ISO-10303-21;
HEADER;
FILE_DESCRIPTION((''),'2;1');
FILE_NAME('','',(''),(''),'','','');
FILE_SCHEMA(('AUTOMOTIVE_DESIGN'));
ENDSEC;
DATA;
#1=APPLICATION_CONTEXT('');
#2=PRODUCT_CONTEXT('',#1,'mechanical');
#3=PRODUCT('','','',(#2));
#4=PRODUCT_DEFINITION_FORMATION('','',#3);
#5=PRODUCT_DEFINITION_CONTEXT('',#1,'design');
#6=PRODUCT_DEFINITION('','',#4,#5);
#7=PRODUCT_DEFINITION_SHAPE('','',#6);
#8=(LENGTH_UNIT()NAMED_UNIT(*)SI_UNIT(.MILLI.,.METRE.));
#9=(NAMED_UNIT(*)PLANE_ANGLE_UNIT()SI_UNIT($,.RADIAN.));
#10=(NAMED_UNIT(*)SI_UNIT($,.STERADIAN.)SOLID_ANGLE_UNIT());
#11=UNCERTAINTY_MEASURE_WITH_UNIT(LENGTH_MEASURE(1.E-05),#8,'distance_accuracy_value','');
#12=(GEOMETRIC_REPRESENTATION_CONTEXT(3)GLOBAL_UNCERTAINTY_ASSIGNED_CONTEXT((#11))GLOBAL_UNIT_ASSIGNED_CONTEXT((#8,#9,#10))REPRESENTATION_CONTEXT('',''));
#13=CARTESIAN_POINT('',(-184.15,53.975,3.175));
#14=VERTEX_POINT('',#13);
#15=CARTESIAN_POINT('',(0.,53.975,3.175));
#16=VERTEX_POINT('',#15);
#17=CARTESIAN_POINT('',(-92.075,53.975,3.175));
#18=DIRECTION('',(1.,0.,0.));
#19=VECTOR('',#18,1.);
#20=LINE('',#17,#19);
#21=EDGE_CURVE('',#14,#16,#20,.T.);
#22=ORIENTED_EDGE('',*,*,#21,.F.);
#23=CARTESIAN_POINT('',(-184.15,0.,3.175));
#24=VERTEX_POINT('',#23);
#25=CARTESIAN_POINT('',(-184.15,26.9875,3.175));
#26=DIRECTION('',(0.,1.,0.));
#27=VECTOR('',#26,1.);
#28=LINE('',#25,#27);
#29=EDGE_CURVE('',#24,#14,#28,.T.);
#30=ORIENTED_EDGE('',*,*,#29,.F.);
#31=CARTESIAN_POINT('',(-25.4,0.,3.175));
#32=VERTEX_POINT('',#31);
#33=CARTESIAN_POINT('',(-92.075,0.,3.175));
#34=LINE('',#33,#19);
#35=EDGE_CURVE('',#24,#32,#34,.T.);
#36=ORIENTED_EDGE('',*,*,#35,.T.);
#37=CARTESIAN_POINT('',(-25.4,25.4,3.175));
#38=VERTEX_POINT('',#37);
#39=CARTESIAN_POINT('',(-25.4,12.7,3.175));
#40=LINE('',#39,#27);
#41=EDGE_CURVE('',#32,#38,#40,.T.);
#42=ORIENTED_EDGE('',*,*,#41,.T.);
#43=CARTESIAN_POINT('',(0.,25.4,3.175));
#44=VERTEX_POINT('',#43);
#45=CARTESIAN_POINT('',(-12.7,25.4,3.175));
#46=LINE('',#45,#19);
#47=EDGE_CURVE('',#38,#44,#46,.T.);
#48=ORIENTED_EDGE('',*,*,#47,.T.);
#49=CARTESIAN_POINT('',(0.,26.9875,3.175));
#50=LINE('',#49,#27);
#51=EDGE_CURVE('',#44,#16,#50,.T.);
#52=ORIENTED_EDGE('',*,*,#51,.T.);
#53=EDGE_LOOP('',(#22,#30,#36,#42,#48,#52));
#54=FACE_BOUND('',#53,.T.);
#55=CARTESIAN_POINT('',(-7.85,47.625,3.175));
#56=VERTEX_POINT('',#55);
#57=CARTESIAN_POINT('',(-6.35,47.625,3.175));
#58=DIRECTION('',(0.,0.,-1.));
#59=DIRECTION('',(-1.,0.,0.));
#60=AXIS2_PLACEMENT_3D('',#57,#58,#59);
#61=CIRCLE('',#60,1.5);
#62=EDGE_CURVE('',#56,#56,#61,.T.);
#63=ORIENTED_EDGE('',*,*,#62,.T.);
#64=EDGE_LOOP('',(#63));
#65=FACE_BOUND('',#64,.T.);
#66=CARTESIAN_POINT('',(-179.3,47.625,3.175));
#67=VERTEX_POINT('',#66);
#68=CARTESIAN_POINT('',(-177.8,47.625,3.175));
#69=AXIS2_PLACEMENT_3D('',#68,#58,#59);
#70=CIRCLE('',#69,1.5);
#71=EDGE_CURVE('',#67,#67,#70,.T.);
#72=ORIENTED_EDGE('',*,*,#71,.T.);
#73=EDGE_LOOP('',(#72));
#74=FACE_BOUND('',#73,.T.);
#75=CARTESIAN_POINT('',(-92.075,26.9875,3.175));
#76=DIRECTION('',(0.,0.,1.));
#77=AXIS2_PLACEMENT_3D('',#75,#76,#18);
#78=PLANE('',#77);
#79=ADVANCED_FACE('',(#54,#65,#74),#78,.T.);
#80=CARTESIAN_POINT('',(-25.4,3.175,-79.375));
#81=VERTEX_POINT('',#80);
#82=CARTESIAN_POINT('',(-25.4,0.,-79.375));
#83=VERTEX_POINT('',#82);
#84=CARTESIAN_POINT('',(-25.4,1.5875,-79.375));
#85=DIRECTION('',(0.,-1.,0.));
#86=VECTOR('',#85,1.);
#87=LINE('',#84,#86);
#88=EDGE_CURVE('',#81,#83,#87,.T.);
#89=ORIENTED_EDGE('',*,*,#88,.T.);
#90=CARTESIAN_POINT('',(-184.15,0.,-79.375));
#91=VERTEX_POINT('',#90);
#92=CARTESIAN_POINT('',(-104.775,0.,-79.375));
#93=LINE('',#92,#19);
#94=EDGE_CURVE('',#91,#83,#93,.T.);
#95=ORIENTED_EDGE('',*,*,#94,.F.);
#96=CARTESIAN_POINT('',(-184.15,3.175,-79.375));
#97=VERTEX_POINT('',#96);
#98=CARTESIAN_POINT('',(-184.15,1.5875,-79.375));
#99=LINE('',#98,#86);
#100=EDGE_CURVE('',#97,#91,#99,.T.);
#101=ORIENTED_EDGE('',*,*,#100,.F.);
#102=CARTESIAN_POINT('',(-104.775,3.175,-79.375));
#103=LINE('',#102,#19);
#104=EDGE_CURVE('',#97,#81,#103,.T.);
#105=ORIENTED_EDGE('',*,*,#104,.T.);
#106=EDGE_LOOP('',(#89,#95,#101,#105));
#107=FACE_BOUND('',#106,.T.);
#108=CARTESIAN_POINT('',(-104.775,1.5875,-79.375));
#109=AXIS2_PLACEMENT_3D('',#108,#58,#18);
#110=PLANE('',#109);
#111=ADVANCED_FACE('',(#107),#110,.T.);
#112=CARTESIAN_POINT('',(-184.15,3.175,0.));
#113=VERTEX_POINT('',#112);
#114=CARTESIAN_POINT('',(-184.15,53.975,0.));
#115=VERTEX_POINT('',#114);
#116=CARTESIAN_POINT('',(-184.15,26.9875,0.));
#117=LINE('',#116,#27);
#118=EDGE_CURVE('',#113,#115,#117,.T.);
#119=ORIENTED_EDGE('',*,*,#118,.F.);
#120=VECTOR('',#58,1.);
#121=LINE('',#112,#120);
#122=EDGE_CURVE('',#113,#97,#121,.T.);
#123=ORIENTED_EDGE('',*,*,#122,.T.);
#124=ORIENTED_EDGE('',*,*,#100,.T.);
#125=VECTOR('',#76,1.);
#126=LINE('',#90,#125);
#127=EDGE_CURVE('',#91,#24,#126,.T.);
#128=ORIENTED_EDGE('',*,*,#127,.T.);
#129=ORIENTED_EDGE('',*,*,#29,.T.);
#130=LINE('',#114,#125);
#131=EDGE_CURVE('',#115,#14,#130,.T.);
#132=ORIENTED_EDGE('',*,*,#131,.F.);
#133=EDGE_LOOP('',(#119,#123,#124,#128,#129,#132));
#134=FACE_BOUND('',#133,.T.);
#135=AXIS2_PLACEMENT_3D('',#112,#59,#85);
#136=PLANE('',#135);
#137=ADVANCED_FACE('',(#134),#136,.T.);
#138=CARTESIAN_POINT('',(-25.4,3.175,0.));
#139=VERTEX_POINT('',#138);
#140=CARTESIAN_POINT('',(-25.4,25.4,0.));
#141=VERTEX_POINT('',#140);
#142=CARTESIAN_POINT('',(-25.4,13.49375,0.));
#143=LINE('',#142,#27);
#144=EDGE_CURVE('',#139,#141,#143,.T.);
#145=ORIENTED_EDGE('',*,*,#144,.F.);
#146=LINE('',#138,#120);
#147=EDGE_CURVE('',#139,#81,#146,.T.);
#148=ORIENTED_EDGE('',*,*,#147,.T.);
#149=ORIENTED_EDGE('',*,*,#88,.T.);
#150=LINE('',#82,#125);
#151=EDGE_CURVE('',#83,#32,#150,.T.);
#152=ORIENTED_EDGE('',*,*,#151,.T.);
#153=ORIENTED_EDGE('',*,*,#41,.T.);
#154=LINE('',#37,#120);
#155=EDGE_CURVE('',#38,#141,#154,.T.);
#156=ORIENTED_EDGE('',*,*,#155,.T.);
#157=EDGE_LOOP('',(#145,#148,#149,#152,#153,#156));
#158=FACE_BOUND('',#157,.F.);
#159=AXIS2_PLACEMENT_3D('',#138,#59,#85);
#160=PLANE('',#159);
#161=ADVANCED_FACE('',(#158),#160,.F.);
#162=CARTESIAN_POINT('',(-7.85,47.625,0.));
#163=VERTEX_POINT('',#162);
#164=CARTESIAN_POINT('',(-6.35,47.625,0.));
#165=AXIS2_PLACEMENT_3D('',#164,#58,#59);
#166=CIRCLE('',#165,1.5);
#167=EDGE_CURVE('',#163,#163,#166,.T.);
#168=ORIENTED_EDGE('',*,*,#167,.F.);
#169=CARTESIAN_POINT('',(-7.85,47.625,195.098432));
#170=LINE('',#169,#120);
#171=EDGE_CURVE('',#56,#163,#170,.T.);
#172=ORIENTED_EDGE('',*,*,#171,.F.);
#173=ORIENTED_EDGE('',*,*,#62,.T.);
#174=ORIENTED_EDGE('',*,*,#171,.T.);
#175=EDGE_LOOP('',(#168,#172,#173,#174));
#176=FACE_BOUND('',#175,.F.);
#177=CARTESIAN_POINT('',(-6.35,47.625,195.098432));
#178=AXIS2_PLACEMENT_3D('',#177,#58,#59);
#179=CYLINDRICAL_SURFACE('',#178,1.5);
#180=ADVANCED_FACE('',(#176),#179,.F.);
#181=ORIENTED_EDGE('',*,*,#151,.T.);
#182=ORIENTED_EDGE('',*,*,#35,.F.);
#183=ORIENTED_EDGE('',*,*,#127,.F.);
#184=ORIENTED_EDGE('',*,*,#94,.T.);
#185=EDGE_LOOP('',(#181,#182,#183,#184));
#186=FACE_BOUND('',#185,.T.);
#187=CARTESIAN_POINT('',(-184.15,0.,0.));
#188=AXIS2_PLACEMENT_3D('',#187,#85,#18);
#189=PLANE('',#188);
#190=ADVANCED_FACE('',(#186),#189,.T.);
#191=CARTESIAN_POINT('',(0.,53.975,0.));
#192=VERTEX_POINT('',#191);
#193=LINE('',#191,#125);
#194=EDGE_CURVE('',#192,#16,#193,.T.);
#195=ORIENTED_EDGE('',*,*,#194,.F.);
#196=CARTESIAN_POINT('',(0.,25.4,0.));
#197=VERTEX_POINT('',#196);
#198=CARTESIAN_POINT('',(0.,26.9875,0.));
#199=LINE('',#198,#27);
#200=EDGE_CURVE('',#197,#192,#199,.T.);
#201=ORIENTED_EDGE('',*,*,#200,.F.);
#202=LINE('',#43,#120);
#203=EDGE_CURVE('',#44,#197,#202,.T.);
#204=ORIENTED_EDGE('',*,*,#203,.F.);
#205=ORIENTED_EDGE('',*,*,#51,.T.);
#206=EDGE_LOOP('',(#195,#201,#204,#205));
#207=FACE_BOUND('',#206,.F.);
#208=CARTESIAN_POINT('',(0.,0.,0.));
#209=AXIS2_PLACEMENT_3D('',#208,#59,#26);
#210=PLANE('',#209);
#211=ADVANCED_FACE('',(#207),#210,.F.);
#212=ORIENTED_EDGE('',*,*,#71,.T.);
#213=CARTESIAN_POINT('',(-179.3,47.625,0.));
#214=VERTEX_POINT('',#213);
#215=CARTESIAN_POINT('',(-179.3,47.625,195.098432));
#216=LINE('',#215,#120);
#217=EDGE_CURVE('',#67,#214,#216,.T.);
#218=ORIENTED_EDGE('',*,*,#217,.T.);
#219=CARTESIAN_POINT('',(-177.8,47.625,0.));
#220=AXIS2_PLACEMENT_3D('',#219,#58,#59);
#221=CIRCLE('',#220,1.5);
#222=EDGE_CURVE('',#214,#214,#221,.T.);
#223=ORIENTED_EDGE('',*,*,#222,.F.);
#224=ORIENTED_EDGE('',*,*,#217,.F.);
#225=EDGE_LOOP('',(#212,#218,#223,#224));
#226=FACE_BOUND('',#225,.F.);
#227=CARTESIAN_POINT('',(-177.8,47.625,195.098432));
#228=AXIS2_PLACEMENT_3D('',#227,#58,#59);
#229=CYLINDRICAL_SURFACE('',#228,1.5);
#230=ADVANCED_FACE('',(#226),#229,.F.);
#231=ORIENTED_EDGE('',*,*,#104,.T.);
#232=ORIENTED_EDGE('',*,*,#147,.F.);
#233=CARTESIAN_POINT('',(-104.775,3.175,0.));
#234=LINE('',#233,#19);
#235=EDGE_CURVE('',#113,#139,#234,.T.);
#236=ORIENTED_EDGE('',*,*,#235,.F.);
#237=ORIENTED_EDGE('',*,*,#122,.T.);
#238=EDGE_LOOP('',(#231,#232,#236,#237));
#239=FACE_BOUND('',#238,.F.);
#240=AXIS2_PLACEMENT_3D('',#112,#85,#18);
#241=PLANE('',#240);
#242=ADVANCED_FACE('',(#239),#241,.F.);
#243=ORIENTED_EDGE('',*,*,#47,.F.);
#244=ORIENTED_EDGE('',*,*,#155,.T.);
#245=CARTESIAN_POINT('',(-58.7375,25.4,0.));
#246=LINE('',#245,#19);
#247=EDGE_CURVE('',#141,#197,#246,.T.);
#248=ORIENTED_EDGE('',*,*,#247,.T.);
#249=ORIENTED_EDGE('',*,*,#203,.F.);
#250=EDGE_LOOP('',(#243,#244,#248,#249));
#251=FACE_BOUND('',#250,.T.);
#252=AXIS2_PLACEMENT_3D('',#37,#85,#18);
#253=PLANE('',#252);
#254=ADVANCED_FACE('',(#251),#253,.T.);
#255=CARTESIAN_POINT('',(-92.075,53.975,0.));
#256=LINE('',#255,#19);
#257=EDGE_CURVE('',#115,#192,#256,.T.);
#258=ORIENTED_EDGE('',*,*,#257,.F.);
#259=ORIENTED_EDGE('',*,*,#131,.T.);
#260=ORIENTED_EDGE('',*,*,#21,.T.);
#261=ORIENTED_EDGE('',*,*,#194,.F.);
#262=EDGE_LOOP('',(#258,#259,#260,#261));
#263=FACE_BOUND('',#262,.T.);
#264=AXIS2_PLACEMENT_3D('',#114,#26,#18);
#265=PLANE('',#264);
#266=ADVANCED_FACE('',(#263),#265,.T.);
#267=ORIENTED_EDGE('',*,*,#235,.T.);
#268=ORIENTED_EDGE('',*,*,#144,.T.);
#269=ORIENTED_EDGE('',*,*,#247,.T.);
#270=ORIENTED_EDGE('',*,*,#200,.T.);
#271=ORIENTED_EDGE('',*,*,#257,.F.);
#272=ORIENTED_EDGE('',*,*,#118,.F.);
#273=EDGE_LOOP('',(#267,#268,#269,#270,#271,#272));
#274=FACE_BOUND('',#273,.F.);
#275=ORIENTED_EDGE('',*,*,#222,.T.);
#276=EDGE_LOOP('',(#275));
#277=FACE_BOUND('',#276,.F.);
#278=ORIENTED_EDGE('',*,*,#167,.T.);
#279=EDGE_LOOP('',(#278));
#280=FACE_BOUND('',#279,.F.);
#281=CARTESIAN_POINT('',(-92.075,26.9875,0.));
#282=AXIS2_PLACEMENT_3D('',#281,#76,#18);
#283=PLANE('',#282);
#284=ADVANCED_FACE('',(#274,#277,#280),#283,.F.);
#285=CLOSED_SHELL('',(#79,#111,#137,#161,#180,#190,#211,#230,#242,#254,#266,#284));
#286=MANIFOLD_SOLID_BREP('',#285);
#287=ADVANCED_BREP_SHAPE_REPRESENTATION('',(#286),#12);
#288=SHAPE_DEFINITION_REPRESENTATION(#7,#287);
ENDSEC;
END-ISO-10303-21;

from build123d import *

# Parameters (mm, degrees)
F0_W     = 184.15
F0_H     = 53.975
F1_DEPTH = 3.175
F3_D     = 3
F4_W     = 25.4
F4_H     = 25.4
F5_DEPTH = 25.4
F6_W     = 158.75
F6_H     = 3.175
F7_DEPTH = 79.375


with BuildPart() as f1:
    # F0 (on Top) → F1 (new body)
    with BuildSketch(Plane.XY):
        with Locations((-92.075, 26.9875)):
            Rectangle(F0_W, F0_H)
    extrude(amount=F1_DEPTH)

    # F3 (through all)
    with Locations(Plane.XY.offset(3.175)):
        with Locations((-177.8, 47.625), (-6.35, 47.625)):
            Hole(F3_D / 2)

    # F4 (on face) → F5 (cut)
    with BuildSketch(Plane.XY.offset(3.175)):
        with Locations((-12.7, 12.7)):
            Rectangle(F4_W, F4_H)
    extrude(amount=-F5_DEPTH, mode=Mode.SUBTRACT)

    # F6 (on face) → F7 (join)
    with BuildSketch(Plane(origin=(0, 0, 0), x_dir=(1, 0, 0), z_dir=(0, 0, -1))):
        with Locations((-104.775, -1.5875)):
            Rectangle(F6_W, F6_H)
    extrude(amount=F7_DEPTH)


solid = f1.part
